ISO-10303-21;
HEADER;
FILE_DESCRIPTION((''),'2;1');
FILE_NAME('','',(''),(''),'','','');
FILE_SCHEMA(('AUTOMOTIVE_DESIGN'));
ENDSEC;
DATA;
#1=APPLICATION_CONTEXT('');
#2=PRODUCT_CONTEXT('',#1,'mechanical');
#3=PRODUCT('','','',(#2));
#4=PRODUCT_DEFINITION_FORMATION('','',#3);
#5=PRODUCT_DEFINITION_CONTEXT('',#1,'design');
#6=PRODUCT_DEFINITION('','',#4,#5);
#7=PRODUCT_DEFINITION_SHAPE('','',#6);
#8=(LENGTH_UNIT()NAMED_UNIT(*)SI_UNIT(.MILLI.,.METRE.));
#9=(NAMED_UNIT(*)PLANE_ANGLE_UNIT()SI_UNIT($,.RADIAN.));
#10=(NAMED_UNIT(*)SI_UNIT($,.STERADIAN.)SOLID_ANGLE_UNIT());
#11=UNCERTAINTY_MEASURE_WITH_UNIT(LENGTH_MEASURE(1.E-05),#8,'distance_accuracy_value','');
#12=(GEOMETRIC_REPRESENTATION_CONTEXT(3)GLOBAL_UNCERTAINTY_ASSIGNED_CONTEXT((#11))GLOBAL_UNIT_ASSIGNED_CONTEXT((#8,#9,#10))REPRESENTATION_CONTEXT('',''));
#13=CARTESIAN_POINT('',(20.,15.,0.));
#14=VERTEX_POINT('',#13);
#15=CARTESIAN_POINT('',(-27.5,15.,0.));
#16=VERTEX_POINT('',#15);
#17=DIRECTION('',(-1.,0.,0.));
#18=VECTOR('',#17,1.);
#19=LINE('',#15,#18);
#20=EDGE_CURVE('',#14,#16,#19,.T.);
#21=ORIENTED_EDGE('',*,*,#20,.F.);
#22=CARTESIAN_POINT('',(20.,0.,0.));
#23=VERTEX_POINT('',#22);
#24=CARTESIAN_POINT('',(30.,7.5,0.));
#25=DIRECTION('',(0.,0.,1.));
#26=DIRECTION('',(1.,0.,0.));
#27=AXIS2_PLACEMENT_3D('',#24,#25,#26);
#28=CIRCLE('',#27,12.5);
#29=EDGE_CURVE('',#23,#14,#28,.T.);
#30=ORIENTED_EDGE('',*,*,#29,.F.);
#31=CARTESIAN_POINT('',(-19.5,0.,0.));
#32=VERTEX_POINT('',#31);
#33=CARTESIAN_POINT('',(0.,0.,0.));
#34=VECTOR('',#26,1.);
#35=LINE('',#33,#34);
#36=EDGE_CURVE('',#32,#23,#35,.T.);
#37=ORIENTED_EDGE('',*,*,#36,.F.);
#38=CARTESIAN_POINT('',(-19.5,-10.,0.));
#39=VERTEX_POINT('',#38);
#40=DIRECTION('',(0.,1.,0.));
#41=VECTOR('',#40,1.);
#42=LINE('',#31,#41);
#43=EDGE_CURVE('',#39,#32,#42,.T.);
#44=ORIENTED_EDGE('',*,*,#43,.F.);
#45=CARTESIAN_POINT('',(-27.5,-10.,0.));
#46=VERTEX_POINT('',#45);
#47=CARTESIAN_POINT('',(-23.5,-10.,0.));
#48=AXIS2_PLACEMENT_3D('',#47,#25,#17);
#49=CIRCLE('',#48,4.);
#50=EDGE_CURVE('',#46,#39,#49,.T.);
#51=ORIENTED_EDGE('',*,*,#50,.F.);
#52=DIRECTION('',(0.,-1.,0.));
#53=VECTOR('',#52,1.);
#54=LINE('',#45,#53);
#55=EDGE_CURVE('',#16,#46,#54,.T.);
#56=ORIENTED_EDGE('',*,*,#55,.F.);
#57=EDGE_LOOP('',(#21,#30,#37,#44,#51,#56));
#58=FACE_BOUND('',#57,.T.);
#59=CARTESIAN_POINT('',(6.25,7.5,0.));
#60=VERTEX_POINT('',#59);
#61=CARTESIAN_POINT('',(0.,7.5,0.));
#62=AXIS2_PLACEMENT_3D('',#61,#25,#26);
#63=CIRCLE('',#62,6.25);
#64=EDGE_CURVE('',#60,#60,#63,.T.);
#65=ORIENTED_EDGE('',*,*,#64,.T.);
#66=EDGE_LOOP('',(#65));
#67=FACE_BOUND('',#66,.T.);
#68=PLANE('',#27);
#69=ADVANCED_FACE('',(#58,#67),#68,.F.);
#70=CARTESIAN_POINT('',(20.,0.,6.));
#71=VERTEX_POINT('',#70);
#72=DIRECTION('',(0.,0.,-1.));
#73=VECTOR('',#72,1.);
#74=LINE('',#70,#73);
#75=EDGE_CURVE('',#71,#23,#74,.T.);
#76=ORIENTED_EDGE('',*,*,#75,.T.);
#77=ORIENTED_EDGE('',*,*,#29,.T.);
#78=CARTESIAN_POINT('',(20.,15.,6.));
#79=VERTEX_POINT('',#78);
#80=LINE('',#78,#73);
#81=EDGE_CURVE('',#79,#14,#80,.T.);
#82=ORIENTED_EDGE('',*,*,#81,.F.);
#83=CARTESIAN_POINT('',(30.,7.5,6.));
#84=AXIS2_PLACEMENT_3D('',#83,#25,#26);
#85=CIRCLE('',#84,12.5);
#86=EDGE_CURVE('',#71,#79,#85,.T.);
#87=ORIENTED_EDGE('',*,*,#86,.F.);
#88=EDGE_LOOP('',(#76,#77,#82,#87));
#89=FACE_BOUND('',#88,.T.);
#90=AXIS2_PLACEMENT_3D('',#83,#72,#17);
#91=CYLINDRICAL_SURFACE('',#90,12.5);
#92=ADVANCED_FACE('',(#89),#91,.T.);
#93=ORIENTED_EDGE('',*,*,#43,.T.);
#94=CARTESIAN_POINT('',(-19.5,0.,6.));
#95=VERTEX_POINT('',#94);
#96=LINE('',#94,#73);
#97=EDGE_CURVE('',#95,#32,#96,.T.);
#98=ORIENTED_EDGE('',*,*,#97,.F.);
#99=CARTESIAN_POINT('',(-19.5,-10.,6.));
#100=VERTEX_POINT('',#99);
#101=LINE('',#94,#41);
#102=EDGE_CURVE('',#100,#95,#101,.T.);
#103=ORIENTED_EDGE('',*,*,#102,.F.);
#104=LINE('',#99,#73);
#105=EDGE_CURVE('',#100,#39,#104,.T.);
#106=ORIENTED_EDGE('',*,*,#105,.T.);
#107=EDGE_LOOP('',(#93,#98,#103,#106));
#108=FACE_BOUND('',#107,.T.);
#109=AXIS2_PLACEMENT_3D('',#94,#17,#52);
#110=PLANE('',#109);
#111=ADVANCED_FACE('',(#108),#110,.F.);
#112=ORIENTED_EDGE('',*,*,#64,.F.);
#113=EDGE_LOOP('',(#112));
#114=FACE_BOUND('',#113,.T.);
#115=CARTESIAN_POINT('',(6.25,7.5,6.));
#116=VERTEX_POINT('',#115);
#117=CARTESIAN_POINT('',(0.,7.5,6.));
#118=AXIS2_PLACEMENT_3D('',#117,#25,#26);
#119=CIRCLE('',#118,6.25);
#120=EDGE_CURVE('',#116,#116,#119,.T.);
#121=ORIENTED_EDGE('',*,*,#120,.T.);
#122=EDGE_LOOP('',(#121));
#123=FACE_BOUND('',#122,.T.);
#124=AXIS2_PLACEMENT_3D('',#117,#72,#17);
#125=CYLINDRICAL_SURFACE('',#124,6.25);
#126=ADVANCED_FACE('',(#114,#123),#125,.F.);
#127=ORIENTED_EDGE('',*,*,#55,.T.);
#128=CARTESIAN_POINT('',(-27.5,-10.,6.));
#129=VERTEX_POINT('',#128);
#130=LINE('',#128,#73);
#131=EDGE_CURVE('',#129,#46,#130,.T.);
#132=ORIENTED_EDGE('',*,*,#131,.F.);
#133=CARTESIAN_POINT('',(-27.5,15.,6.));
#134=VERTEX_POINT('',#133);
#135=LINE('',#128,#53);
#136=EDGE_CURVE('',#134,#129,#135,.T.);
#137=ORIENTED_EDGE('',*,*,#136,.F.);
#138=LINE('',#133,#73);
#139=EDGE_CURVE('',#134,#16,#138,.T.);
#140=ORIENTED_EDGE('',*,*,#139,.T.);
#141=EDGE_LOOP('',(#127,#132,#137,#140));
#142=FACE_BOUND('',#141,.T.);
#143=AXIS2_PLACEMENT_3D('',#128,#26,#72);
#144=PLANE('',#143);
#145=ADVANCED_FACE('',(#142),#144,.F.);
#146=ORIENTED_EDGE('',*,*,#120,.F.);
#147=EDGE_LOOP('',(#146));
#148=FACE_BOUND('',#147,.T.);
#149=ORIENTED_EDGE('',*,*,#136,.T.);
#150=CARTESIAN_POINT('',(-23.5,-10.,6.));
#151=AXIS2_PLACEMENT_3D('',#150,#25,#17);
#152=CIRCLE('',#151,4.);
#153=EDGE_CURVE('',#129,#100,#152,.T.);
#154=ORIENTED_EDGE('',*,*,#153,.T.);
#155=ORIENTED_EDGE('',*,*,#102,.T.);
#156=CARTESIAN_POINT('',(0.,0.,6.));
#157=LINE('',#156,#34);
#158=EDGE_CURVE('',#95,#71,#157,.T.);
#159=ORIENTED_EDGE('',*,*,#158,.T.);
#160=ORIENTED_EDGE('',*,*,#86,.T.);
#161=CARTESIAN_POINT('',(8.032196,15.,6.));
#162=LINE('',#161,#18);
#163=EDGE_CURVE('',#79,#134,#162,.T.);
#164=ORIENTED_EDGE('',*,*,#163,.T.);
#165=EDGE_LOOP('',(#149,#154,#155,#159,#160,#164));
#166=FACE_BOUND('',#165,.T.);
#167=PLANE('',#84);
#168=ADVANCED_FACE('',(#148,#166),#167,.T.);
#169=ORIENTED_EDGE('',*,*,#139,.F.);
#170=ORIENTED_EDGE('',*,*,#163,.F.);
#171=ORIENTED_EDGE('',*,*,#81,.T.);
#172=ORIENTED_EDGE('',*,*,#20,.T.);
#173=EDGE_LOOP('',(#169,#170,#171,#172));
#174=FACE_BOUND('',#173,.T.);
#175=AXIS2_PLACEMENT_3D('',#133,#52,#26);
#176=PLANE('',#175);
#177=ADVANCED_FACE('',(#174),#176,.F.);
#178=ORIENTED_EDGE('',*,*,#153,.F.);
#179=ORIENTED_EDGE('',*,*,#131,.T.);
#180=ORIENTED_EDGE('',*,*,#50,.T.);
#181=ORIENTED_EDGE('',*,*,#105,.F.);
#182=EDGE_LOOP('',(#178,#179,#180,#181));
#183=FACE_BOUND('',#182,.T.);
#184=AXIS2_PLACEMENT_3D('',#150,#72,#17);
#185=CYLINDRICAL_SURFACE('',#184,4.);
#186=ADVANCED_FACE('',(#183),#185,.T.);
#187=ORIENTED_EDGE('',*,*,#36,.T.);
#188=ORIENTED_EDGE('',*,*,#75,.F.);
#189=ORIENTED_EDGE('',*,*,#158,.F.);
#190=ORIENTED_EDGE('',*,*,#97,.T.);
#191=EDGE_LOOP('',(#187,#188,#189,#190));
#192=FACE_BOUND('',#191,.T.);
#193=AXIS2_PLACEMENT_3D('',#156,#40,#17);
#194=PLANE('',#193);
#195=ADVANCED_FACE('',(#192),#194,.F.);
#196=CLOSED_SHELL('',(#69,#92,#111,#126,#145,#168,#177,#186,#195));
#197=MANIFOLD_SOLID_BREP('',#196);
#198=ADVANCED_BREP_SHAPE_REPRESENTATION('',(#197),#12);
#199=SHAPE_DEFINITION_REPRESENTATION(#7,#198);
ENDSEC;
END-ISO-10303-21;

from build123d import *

# Parameters (mm, degrees)
SCHIZZO1_R                   = 6.25
ESTRUSIONE_ESTRUSIONE1_DEPTH = 6


with BuildPart() as part:
    # Schizzo1 → Estrusione-Estrusione1 (new body)
    with BuildSketch(Plane.XY):
        with BuildLine():
            Line((0, 0), (-19.5, 0))
            Line((-19.5, 0), (-19.5, -10))
            ThreePointArc((-19.5, -10), (-23.5, -14), (-27.5, -10))
            Line((-27.5, -10), (-27.5, 15))
            Line((-27.5, 15), (8.032195982, 15))
            Line((8.032195982, 15), (20, 15))
            ThreePointArc((20, 15), (42.5, 7.5), (20, 0))
            Line((20, 0), (0, 0))
        make_face()
        with Locations((0, 7.5)):
            Circle(SCHIZZO1_R, mode=Mode.SUBTRACT)
    extrude(amount=ESTRUSIONE_ESTRUSIONE1_DEPTH)


solid = part.part
